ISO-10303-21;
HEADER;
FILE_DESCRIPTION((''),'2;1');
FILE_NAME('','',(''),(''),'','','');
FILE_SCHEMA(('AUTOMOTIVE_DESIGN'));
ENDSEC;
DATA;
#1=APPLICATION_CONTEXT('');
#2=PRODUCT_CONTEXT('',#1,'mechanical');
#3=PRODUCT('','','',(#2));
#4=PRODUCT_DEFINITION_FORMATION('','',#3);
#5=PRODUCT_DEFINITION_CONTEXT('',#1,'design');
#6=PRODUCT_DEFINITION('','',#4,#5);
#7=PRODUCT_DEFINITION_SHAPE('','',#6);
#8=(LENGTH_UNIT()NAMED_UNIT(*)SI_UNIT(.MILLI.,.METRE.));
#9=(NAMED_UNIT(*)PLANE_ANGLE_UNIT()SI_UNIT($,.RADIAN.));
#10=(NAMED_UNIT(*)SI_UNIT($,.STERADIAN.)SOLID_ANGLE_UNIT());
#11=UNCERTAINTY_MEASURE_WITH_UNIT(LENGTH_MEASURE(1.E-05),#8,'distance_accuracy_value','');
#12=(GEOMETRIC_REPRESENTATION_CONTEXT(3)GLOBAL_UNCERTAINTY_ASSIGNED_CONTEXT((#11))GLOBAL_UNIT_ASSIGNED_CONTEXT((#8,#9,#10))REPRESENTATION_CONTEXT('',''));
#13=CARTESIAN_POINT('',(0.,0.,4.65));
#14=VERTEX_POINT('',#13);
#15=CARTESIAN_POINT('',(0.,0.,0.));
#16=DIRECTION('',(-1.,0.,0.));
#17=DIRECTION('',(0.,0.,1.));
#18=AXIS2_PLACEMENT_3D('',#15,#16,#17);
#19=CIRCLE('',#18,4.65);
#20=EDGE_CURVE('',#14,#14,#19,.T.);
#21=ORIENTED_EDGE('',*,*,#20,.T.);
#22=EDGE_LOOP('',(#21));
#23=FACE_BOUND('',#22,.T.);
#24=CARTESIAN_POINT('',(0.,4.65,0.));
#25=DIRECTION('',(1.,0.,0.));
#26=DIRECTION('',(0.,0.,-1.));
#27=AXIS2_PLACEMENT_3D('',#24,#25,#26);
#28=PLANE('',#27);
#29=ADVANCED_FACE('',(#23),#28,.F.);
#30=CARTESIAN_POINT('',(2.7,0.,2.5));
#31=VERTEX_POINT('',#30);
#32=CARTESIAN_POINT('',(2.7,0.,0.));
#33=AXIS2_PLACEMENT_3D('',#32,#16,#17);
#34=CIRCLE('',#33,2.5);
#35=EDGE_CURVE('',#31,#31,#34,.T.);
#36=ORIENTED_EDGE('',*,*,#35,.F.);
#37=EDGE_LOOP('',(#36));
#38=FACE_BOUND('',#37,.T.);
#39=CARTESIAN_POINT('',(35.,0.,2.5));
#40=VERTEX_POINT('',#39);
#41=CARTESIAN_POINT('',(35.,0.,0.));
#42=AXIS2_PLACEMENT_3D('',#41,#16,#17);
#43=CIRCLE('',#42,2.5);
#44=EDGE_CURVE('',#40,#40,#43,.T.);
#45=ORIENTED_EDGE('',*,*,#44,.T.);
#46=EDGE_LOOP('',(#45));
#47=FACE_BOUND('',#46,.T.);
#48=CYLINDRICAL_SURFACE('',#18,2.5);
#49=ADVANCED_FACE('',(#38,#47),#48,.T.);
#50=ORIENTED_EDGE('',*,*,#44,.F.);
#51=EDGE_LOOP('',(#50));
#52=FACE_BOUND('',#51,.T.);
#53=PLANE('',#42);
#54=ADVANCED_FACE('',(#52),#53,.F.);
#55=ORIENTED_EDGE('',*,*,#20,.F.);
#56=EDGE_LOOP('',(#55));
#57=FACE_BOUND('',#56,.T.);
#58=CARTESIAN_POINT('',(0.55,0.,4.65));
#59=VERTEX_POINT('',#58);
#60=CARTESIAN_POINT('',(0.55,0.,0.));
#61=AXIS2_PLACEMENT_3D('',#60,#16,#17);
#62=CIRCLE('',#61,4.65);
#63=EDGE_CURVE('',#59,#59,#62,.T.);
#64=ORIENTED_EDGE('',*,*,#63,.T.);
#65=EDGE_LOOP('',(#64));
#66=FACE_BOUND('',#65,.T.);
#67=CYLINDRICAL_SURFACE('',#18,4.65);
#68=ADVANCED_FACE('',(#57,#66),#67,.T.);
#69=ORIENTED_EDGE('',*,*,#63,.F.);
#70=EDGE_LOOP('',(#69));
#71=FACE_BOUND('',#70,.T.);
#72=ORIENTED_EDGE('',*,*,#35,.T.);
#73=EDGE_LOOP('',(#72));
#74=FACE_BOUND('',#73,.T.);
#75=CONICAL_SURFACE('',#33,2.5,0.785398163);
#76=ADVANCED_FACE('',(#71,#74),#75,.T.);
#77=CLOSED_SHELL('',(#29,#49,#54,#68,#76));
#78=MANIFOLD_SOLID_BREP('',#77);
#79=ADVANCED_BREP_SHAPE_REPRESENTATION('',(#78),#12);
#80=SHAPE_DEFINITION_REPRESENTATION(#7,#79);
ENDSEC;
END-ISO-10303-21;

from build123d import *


with BuildPart() as part:
    # Esquisse1 → Révolution1 (revolve)
    with BuildSketch(Plane.XY, mode=Mode.PRIVATE) as r_volution1_sk:
        Polygon((0, 0), (35, 0), (35, 2.5), (2.7, 2.5), (0.55, 4.65), (0, 4.65), align=None)
    revolve(r_volution1_sk.sketch.rotate(Axis((0, 0, 0), (1, 0, 0)), 90), axis=Axis((0, 0, 0), (1, 0, 0)))


solid = part.part
